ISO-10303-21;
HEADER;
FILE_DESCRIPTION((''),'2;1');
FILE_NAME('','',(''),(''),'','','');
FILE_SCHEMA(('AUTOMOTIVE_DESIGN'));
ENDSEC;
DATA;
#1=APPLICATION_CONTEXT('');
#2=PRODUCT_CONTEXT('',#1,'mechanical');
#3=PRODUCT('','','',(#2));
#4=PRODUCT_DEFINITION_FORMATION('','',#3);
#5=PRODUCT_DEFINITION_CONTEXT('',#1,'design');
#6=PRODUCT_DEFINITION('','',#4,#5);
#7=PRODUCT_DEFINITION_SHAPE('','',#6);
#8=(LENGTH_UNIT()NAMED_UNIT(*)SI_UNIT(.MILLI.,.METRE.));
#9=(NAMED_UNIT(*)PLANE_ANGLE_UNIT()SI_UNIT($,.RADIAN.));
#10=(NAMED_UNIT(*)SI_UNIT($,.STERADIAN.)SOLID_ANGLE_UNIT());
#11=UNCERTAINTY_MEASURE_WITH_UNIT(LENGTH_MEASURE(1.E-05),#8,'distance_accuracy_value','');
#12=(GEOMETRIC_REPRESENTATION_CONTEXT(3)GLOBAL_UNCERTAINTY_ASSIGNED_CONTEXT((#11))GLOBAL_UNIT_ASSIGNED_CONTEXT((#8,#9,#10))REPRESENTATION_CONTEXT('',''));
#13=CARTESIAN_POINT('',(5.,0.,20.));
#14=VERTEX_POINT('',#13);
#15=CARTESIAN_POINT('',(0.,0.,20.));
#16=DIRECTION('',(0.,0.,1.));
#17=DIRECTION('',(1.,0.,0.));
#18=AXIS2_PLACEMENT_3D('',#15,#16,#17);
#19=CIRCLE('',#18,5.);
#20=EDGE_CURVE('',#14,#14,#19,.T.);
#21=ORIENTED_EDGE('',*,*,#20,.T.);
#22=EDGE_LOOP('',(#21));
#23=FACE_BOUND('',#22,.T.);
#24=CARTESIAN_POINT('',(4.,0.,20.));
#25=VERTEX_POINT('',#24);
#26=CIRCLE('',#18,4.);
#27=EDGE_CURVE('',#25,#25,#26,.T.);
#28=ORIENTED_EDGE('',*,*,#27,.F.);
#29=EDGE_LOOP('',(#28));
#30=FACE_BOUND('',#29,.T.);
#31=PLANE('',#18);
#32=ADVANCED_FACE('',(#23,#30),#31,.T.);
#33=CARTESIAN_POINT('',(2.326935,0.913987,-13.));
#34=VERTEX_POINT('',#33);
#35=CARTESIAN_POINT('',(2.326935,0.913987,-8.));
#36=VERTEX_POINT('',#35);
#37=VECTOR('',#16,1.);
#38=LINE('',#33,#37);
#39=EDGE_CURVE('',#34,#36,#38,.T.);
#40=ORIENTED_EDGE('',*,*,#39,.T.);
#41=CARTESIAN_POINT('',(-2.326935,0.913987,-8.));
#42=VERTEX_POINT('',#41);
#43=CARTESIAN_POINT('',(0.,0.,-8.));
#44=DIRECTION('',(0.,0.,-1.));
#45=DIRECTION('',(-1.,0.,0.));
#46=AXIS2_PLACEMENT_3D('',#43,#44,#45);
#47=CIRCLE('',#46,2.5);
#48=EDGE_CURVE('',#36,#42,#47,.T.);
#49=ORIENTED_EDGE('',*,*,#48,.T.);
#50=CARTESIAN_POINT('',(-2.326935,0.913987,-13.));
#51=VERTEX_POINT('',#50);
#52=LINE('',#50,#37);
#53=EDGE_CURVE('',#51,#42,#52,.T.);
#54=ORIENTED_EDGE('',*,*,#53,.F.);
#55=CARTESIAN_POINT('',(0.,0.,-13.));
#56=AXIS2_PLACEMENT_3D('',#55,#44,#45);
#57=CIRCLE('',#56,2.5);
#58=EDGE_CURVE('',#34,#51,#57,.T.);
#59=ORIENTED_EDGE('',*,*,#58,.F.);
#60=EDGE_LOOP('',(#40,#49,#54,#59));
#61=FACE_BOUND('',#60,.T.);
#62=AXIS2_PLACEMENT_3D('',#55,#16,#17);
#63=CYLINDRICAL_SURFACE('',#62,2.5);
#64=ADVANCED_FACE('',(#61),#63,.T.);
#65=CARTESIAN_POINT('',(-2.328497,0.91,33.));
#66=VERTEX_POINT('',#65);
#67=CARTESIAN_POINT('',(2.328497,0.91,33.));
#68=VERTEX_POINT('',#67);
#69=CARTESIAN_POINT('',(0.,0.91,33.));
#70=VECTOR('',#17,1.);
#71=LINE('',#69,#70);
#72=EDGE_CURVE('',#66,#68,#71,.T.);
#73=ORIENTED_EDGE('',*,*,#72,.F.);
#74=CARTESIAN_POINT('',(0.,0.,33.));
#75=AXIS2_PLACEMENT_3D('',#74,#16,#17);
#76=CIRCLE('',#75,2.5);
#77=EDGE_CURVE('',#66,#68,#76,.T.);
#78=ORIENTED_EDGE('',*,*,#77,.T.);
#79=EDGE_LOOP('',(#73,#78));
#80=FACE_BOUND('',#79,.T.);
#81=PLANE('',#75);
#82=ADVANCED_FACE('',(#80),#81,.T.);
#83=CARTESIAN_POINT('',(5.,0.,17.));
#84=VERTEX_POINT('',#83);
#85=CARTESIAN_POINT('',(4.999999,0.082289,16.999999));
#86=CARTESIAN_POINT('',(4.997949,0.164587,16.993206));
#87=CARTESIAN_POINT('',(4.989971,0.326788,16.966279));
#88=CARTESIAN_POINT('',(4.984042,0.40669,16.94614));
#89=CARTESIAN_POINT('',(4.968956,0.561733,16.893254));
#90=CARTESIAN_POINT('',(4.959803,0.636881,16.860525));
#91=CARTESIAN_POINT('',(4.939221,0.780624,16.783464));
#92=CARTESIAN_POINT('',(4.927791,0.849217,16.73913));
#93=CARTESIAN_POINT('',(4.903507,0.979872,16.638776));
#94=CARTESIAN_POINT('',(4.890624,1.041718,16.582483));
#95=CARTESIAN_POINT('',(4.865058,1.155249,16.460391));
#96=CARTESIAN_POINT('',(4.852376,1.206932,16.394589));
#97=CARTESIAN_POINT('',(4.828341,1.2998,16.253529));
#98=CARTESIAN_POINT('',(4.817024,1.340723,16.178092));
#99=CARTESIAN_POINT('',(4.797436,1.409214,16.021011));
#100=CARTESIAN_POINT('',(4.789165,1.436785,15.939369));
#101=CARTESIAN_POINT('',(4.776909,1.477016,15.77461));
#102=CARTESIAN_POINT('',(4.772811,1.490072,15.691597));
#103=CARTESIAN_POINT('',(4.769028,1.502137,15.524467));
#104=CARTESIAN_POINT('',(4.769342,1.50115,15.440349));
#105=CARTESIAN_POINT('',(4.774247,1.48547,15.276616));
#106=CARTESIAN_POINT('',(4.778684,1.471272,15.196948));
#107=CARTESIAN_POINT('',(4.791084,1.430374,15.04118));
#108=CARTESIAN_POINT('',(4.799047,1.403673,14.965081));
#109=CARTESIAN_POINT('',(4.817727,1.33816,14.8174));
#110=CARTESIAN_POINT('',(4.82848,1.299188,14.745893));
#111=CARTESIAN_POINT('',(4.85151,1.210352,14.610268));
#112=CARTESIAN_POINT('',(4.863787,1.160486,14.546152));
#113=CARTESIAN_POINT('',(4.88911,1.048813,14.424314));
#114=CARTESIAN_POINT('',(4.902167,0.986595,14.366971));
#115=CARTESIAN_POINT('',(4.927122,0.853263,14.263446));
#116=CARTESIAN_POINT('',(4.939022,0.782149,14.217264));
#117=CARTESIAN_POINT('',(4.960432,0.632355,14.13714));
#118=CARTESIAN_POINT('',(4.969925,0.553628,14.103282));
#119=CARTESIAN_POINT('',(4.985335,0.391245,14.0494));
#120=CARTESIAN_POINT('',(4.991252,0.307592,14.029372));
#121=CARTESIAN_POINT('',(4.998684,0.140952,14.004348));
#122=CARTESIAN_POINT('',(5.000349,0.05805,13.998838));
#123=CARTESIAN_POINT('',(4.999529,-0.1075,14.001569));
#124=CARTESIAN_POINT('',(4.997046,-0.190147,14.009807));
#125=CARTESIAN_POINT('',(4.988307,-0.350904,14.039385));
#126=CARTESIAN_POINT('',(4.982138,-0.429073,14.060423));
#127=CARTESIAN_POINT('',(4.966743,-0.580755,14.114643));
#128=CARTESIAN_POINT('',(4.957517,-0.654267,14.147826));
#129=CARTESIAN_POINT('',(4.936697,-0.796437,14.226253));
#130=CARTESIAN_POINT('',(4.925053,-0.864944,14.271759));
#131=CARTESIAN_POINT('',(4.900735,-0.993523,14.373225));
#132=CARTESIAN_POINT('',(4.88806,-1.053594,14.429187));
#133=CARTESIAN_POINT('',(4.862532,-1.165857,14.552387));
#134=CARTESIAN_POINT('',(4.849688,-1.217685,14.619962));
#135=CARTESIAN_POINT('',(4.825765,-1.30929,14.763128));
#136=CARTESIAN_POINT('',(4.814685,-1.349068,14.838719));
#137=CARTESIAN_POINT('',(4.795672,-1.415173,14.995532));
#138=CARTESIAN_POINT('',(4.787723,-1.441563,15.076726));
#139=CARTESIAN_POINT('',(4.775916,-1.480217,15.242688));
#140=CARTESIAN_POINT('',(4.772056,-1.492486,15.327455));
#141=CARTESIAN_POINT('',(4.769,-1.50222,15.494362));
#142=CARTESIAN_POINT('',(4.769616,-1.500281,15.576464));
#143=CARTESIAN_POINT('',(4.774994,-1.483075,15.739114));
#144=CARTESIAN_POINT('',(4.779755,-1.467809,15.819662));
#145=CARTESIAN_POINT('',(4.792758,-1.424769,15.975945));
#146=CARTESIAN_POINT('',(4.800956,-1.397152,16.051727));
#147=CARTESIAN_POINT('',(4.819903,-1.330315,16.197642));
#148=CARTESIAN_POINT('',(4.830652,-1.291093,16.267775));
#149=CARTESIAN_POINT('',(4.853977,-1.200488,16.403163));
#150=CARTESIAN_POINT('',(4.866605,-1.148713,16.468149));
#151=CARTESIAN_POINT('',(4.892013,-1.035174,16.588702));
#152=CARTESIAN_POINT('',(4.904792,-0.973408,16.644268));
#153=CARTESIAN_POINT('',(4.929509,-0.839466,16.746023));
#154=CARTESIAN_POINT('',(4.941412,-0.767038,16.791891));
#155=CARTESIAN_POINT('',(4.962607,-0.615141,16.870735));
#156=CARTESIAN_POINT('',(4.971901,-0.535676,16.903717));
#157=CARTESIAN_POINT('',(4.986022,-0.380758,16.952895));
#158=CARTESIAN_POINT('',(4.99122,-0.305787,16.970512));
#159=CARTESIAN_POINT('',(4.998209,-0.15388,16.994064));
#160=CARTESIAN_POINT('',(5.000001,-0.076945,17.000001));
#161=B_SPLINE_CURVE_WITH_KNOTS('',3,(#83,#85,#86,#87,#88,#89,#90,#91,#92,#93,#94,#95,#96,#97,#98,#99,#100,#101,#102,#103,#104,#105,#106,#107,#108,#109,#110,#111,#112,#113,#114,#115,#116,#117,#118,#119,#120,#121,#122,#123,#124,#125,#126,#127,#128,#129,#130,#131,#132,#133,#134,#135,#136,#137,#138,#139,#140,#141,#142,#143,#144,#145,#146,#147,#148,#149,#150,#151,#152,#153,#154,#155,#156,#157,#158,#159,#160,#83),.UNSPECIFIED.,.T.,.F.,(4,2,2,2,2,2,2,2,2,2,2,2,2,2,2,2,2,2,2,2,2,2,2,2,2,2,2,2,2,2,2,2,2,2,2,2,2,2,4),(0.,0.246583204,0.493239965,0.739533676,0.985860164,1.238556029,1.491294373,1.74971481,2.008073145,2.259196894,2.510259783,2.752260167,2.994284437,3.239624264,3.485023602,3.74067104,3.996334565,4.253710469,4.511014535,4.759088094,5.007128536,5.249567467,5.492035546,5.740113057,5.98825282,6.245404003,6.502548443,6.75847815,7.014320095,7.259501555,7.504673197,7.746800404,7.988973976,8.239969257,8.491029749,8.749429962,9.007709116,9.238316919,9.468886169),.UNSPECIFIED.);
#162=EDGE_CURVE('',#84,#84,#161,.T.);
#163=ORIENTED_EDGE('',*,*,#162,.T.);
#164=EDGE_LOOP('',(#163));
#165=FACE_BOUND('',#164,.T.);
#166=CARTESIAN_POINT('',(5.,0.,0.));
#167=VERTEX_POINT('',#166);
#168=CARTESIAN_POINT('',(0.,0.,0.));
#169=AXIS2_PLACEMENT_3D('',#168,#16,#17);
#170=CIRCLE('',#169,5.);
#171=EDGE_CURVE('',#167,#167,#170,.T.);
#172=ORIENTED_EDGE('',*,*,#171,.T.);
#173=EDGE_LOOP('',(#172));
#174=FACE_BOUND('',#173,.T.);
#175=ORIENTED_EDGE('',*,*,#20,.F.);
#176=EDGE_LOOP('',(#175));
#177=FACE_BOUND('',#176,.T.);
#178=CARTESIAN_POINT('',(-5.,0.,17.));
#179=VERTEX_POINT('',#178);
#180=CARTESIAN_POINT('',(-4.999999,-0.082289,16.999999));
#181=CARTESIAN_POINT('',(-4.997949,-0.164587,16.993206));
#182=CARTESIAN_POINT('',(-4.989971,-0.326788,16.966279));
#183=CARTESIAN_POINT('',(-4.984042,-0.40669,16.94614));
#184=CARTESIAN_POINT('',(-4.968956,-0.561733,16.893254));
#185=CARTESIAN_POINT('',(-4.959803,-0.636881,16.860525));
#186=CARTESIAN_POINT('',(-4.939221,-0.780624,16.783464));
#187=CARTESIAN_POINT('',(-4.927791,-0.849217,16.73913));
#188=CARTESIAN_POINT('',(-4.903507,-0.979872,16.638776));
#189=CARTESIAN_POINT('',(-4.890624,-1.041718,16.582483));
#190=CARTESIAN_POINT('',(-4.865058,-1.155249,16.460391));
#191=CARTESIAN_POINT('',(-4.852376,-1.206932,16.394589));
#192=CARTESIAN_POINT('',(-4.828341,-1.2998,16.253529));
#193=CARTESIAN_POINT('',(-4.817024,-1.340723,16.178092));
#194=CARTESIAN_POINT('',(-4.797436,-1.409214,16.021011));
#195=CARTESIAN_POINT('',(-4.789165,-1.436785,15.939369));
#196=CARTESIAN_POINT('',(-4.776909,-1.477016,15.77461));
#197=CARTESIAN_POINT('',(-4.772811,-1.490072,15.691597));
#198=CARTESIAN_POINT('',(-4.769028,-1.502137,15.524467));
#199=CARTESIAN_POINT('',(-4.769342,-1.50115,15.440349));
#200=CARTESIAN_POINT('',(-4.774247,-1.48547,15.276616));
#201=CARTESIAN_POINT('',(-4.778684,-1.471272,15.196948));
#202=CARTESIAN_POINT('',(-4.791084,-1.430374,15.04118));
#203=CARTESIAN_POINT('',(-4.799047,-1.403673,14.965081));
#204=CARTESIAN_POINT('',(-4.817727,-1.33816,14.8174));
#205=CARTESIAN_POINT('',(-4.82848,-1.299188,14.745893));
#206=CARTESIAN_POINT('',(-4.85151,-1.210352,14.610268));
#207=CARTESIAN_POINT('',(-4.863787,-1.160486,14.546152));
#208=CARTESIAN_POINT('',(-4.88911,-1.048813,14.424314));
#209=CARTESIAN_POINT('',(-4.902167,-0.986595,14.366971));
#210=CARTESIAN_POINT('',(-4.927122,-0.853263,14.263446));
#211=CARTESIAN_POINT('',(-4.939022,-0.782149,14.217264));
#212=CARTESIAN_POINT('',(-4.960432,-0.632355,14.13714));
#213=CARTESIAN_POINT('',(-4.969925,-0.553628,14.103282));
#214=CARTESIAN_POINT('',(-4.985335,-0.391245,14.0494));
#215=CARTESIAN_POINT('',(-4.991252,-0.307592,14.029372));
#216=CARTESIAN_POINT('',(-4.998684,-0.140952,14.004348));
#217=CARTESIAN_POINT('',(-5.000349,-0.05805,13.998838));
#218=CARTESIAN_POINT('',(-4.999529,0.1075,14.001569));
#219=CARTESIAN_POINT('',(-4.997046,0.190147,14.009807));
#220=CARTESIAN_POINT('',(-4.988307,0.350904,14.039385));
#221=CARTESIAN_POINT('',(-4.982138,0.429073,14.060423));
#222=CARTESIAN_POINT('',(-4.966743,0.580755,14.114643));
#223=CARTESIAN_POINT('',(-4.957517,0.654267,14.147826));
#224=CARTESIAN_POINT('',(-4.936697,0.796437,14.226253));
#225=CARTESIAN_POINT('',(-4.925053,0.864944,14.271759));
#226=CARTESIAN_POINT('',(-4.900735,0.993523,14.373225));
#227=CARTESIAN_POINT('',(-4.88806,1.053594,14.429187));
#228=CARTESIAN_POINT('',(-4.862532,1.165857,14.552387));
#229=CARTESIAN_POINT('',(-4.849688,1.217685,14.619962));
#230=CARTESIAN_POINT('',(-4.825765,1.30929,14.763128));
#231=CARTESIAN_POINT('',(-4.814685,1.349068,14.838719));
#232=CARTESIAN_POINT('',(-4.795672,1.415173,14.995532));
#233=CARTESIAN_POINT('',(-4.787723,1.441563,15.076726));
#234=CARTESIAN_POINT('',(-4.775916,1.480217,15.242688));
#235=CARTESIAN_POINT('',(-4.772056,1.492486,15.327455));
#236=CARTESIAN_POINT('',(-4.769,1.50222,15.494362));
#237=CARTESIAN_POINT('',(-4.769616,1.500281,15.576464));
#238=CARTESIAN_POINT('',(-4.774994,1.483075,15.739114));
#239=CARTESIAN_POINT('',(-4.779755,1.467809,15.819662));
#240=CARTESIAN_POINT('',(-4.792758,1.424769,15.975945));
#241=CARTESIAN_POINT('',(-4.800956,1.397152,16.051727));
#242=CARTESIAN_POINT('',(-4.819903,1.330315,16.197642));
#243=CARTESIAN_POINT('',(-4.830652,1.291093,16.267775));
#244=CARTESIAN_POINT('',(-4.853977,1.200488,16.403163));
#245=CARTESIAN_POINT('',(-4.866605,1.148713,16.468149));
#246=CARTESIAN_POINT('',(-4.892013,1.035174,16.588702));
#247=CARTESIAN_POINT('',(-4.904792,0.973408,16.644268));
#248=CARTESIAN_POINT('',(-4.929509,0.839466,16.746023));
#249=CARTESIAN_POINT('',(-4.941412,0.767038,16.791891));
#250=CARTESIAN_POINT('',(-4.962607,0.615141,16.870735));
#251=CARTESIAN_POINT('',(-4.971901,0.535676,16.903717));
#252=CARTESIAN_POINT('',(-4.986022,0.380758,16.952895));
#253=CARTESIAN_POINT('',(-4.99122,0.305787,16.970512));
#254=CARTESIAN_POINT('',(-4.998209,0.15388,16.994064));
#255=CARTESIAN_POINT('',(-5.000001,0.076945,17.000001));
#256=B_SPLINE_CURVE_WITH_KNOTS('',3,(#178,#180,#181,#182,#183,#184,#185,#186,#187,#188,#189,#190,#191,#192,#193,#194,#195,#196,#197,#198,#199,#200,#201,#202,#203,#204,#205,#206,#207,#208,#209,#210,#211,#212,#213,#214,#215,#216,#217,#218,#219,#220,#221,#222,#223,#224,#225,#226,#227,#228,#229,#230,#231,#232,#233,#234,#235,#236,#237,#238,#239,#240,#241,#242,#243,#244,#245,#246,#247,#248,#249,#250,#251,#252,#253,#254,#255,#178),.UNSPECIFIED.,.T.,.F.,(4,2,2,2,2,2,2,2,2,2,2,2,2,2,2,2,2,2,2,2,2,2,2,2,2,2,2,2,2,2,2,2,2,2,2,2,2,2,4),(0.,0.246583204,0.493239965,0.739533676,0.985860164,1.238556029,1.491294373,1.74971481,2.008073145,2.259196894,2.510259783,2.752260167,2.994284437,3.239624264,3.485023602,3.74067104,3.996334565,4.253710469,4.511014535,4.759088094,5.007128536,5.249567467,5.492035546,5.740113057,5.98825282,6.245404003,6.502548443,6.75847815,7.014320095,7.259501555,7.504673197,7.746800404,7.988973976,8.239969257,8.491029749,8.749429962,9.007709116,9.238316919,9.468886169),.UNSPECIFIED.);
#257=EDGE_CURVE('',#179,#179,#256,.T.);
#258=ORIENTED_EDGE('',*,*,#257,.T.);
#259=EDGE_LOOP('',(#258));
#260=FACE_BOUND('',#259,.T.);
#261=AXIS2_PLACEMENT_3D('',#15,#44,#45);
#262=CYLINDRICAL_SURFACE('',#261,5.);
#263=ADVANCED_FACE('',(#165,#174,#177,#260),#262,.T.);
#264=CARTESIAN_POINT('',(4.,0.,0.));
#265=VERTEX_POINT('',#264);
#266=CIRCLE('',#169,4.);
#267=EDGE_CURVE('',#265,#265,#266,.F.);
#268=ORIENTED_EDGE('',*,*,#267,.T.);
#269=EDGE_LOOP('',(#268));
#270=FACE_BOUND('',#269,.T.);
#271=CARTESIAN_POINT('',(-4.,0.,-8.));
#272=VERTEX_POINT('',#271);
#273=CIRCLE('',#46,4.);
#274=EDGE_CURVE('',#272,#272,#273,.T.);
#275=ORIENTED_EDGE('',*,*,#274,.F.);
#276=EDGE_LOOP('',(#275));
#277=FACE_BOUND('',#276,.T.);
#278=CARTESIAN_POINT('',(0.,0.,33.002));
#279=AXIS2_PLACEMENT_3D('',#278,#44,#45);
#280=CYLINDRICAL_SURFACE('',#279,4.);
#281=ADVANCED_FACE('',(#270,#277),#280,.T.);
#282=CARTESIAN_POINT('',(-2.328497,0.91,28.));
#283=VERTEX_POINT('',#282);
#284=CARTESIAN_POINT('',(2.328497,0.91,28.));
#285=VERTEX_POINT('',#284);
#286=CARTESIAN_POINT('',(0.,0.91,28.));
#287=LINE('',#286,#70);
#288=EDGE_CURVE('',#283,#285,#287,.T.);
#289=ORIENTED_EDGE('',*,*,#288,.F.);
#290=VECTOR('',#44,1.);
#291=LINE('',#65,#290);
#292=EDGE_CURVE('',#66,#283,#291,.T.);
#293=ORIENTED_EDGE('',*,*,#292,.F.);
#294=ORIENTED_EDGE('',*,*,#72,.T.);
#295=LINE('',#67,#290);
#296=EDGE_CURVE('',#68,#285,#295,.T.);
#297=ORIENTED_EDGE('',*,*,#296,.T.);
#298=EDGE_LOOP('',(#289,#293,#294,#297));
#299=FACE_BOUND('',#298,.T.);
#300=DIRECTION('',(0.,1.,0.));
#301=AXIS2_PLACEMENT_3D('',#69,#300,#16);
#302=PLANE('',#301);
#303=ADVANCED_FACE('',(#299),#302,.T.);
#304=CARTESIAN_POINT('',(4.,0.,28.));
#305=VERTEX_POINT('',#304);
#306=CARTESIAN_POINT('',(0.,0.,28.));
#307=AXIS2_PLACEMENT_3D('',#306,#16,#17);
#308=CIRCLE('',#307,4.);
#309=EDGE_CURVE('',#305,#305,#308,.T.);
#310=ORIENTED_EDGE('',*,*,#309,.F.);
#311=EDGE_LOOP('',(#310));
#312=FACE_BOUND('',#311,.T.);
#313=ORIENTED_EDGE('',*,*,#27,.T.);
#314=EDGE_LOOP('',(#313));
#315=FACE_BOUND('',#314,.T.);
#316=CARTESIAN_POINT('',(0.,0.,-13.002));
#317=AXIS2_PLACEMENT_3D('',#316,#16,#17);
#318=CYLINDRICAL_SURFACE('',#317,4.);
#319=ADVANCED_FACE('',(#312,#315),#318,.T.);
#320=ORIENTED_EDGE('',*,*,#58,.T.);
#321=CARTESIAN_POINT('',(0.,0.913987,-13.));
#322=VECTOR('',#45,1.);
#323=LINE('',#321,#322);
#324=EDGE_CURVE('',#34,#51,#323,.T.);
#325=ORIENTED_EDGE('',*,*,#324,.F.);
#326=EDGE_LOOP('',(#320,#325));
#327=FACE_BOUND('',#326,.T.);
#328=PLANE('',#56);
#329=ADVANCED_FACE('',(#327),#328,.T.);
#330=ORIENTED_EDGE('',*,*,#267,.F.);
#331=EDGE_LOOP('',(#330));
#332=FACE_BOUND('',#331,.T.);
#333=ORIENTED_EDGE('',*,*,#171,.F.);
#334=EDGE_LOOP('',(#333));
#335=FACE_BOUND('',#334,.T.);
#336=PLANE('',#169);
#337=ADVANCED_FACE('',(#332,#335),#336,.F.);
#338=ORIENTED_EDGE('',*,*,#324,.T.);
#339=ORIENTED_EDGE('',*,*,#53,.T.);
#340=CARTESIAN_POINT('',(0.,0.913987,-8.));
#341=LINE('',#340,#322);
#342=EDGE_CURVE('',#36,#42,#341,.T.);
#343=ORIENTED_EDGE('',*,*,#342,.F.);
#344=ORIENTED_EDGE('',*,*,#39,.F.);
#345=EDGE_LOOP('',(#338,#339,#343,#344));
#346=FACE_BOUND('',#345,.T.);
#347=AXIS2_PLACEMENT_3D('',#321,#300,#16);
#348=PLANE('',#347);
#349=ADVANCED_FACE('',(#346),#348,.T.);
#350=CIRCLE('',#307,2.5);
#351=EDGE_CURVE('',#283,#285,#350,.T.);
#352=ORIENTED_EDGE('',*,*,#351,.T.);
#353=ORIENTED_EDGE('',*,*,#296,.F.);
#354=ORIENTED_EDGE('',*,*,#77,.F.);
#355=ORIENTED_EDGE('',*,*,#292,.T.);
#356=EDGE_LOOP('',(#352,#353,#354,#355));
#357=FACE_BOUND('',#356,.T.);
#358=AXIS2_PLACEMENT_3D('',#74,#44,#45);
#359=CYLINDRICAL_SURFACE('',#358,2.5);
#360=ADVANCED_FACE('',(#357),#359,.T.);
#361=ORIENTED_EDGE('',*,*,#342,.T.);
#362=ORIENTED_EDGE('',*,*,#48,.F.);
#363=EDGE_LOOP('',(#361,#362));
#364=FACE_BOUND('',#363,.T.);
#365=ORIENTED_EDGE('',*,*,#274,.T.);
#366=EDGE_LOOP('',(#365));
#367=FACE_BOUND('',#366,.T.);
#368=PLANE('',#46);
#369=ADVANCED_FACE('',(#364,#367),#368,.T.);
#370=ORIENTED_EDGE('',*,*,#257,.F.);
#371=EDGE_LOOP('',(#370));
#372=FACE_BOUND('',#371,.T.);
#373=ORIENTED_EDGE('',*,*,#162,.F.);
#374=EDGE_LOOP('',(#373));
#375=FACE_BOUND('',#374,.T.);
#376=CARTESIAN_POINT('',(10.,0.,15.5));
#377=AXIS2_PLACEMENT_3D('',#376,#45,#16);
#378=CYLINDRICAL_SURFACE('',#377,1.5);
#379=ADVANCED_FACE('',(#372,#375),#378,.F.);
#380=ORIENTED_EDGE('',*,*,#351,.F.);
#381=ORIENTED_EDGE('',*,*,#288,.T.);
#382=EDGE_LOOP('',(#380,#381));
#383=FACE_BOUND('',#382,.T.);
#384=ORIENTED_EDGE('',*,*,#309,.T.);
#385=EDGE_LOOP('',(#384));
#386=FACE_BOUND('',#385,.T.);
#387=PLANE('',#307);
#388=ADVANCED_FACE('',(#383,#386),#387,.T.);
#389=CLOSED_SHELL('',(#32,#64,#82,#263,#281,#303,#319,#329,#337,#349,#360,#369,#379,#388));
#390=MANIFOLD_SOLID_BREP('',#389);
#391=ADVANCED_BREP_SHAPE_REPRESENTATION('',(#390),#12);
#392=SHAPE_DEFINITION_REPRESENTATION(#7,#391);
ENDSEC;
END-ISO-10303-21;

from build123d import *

# Parameters (mm, degrees)
SKETCH1_R           = 5
BOSS_EXTRUDE1_DEPTH = 20
SKETCH2_R           = 3.5
BOSS_EXTRUDE2_DEPTH = 8
BOSS_EXTRUDE3_START = 8
SKETCH3_R           = 3.5
BOSS_EXTRUDE3_DEPTH = 8
BOSS_EXTRUDE4_DEPTH = 5
BOSS_EXTRUDE5_START = 5
BOSS_EXTRUDE5_DEPTH = 5
SKETCH7_R           = 1.5
CUT_EXTRUDE1_DEPTH  = 15
BOSS_EXTRUDE6_REACH = 43.605
SKETCH8_R           = 4
BOSS_EXTRUDE7_REACH = 43.605
SKETCH9_R           = 4


with BuildPart() as part:
    # Sketch1 → Boss-Extrude1 (new body)
    with BuildSketch(Plane.XY):
        Circle(SKETCH1_R)
    extrude(amount=BOSS_EXTRUDE1_DEPTH)

    # Sketch2 → Boss-Extrude2 (add)
    with BuildSketch(Plane.XY.offset(20)):
        Circle(SKETCH2_R)
    extrude(amount=BOSS_EXTRUDE2_DEPTH)

    # Sketch3 → Boss-Extrude3 (add)
    with BuildSketch(Plane(origin=(0, 0, 0), x_dir=(-1, 0, 0), z_dir=(0, 0, -1)).offset(BOSS_EXTRUDE3_START)):
        with Locations(Location((0, 0, 0), (0, 0, 180))):
            Circle(SKETCH3_R)
    extrude(amount=-BOSS_EXTRUDE3_DEPTH)

    # Sketch4 → Boss-Extrude4 (add)
    with BuildSketch(Plane(origin=(0, 0, -8), x_dir=(-1, 0, 0), z_dir=(0, 0, -1))):
        with BuildLine():
            Line((2.326935409, 0.913986654), (-2.326935409, 0.913986654))
            ThreePointArc((-2.326935409, 0.913986654), (-0.465113684, -2.456352837), (2.5, 0))
            ThreePointArc((2.5, 0), (2.456352837, 0.465113684), (2.326935409, 0.913986654))
        make_face()
    extrude(amount=BOSS_EXTRUDE4_DEPTH)

    # Sketch6 → Boss-Extrude5 (add)
    with BuildSketch(Plane.XY.offset(28).offset(BOSS_EXTRUDE5_START)):
        with BuildLine():
            Line((2.32849737, 0.91), (-2.32849737, 0.91))
            ThreePointArc((-2.32849737, 0.91), (-0.46301003, -2.456750234), (2.5, 0))
            ThreePointArc((2.5, 0), (2.456750234, 0.46301003), (2.32849737, 0.91))
        make_face()
    extrude(amount=-BOSS_EXTRUDE5_DEPTH)

    # Sketch7 → Cut-Extrude1 (cut)
    with BuildSketch(Plane.ZY.offset(5)):
        with Locations((15.5, 0)):
            Circle(SKETCH7_R)
    extrude(amount=-CUT_EXTRUDE1_DEPTH, mode=Mode.SUBTRACT)

    # Sketch8 → Boss-Extrude6 (add, up to next)
    with BuildSketch(Plane(origin=(0, 0, -8), x_dir=(-1, 0, 0), z_dir=(0, 0, -1)), mode=Mode.PRIVATE) as boss_extrude6_sk1:
        Circle(SKETCH8_R)
    boss_extrude6_tool1 = extrude(boss_extrude6_sk1.sketch, amount=-BOSS_EXTRUDE6_REACH, mode=Mode.PRIVATE) - part.part
    add(boss_extrude6_tool1.solids().sort_by_distance((0, 0, -8))[0])

    # Sketch9 → Boss-Extrude7 (add, up to next)
    with BuildSketch(Plane.XY.offset(28), mode=Mode.PRIVATE) as boss_extrude7_sk1:
        with Locations(Location((0, 0, 0), (0, 0, 180))):
            Circle(SKETCH9_R)
    boss_extrude7_tool1 = extrude(boss_extrude7_sk1.sketch, amount=-BOSS_EXTRUDE7_REACH, mode=Mode.PRIVATE) - part.part
    add(boss_extrude7_tool1.solids().sort_by_distance((0, 0, 28))[0])


solid = part.part
